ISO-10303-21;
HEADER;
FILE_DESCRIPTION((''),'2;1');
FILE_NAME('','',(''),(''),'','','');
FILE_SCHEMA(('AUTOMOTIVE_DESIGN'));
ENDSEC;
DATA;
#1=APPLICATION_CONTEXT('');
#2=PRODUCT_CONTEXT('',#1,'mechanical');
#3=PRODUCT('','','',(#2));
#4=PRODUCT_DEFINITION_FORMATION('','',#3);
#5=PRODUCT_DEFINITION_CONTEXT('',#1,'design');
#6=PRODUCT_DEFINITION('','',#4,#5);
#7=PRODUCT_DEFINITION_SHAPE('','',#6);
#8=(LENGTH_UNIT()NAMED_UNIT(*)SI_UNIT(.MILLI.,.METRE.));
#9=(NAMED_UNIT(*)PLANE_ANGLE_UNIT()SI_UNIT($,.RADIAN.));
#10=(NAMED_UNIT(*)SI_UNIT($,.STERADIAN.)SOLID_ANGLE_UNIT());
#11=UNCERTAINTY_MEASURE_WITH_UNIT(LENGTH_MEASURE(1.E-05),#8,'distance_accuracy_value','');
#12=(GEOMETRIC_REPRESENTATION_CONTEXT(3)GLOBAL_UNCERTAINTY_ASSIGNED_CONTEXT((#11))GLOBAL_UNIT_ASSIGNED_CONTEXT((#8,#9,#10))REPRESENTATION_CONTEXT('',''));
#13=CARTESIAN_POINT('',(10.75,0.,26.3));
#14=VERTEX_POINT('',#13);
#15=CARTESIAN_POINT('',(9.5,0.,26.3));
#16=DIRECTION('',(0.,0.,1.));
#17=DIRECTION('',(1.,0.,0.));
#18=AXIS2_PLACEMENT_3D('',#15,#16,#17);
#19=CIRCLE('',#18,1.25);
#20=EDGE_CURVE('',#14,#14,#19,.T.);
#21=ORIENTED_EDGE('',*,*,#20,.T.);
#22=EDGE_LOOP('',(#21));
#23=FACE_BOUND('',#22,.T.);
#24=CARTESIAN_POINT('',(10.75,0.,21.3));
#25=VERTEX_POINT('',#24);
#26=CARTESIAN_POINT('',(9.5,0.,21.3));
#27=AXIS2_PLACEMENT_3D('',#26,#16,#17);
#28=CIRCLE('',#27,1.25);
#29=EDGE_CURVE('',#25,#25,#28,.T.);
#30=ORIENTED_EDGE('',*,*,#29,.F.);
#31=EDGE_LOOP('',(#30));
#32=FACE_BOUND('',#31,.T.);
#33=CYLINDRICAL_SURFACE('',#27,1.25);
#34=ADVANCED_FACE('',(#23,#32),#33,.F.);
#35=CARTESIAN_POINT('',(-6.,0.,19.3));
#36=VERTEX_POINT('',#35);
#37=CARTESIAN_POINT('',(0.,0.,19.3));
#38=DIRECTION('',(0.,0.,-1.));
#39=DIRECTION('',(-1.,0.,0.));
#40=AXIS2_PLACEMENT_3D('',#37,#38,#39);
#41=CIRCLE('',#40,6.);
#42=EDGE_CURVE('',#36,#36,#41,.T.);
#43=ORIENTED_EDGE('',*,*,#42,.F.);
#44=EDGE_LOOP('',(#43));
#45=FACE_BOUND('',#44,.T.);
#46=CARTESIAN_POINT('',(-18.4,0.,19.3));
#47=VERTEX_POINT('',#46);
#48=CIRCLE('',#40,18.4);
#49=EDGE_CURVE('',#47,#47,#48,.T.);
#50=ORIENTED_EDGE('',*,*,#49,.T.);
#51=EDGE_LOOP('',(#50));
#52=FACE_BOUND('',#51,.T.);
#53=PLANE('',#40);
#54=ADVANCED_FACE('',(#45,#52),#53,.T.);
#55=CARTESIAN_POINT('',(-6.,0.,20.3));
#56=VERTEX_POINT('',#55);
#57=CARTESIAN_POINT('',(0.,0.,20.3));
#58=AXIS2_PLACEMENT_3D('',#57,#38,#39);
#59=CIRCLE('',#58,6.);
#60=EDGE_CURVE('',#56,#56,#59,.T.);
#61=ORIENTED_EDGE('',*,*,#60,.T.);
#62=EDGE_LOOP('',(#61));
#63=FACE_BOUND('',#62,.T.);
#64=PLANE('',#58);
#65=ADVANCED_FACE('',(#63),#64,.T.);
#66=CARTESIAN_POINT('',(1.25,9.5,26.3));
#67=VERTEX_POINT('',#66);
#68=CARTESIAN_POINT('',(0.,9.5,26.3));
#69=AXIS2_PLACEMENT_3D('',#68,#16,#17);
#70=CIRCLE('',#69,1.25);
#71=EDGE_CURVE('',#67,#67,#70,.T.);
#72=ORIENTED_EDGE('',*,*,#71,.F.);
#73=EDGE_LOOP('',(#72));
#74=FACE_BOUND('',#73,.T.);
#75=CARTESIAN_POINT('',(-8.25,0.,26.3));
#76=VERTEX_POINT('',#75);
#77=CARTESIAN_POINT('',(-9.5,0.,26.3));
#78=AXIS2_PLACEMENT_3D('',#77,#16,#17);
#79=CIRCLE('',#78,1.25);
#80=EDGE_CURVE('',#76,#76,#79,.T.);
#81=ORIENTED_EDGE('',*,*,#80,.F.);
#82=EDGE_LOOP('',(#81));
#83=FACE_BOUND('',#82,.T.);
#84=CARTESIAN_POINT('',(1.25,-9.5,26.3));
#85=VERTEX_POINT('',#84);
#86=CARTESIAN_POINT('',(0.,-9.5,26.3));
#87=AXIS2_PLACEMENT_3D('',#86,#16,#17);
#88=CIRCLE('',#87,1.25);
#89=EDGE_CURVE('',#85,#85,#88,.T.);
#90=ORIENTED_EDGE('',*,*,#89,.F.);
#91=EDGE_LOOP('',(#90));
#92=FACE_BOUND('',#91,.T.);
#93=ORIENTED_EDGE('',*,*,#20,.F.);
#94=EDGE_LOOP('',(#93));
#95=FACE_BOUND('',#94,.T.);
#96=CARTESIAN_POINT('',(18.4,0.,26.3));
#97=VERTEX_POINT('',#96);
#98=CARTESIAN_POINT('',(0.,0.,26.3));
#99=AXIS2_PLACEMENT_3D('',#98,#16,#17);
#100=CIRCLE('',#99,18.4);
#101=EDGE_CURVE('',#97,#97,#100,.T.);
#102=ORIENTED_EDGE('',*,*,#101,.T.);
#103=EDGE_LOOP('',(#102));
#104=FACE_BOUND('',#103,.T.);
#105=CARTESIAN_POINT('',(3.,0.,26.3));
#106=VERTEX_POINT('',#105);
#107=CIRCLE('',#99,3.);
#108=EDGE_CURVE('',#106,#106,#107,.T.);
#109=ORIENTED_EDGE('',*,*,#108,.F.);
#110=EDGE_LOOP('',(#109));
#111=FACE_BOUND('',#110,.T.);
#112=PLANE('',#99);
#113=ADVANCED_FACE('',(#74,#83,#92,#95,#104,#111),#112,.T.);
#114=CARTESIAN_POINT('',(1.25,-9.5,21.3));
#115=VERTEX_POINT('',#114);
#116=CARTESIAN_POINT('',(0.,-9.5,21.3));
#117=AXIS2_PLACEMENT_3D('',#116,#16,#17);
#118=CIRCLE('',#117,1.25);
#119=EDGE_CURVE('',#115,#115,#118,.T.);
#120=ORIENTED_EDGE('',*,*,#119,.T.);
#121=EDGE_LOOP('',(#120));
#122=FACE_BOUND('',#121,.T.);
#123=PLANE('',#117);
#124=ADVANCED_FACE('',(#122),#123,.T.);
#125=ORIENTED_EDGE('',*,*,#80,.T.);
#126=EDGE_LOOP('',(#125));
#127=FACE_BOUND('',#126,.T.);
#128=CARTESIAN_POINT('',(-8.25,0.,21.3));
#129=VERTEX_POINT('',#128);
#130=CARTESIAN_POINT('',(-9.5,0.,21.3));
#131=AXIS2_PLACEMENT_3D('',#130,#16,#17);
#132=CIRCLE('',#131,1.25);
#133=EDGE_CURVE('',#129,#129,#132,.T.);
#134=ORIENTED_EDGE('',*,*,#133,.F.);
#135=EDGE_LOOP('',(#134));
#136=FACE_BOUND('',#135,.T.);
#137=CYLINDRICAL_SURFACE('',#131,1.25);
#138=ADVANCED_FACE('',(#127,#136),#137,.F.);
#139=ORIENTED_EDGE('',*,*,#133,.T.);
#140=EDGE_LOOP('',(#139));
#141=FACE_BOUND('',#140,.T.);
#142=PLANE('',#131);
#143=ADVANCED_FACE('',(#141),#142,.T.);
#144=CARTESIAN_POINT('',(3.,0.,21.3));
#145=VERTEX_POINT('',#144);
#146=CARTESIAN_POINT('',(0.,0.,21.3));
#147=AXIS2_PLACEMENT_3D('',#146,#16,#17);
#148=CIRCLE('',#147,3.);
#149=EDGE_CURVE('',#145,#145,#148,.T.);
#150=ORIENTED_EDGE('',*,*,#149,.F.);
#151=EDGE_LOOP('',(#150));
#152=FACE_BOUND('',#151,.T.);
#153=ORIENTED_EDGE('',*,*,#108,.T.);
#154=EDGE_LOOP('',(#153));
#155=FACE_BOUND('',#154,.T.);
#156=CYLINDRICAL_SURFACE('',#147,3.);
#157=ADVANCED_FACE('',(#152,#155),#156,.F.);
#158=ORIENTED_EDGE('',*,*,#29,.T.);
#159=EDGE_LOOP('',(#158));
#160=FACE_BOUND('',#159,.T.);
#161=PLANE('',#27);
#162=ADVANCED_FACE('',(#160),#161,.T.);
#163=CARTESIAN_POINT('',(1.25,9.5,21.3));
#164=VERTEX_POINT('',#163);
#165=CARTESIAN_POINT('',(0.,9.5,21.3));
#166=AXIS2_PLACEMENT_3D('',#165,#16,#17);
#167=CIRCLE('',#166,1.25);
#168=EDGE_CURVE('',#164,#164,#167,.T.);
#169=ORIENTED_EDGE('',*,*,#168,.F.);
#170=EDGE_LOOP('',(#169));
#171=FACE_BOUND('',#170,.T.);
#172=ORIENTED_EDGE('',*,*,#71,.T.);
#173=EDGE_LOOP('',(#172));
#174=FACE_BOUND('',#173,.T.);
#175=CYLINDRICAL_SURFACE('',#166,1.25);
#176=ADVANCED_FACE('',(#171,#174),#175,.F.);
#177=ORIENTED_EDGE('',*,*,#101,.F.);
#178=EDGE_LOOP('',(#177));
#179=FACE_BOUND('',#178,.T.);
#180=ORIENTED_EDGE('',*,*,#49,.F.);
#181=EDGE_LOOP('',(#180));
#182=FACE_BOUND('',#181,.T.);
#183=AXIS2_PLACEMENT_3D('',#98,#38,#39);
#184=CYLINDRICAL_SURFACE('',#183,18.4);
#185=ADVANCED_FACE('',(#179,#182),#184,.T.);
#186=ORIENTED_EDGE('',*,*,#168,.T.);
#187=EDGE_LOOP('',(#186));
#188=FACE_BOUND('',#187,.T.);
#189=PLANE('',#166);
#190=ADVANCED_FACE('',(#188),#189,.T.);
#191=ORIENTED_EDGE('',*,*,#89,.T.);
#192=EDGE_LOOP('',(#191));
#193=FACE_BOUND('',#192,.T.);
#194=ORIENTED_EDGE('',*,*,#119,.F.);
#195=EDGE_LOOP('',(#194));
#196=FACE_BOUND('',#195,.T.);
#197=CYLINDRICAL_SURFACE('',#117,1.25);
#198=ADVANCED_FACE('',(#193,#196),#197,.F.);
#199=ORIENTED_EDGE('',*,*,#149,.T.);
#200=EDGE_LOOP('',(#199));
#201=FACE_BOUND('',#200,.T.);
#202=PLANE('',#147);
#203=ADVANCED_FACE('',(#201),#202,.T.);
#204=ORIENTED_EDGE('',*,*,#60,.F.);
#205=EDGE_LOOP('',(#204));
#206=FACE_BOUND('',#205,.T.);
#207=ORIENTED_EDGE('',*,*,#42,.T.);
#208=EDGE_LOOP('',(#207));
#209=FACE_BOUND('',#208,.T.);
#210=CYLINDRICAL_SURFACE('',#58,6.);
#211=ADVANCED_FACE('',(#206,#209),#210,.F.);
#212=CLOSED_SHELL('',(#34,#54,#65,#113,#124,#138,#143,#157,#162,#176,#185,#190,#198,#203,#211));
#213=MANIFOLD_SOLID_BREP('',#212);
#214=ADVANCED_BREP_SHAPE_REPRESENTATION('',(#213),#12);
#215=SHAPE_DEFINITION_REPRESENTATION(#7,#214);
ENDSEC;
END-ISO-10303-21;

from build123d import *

# Parameters (mm, degrees)
CROQUIS1_R              = 18.4
SALIENTE_EXTRUIR1_DEPTH = 26.3
CROQUIS2_R              = 3
CROQUIS2_R_2            = 1.25
CORTAR_EXTRUIR1_DEPTH   = 5
CROQUIS3_R              = 1.25
CORTAR_EXTRUIR2_DEPTH   = 5
CROQUIS7_R              = 18.4
CORTAR_EXTRUIR5_DEPTH   = 19.3
CROQUIS8_R              = 6
CORTAR_EXTRUIR6_DEPTH   = 1


with BuildPart() as part:
    # Croquis1 → Saliente-Extruir1 (new body)
    with BuildSketch(Plane.XY):
        Circle(CROQUIS1_R)
    extrude(amount=SALIENTE_EXTRUIR1_DEPTH)

    # Croquis2 → Cortar-Extruir1 (cut)
    with BuildSketch(Plane.XY.offset(26.3)):
        Circle(CROQUIS2_R)
        with Locations((0, 9.5)):
            Circle(CROQUIS2_R_2)
        with Locations((9.5, 0)):
            Circle(CROQUIS2_R_2)
        with Locations((0, -9.5)):
            Circle(CROQUIS2_R_2)
        with Locations((-9.5, 0)):
            Circle(CROQUIS2_R_2)
    extrude(amount=-CORTAR_EXTRUIR1_DEPTH, mode=Mode.SUBTRACT)

    # Croquis3 → Cortar-Extruir2 (cut)
    with BuildSketch(Plane(origin=(0, 0, 0), x_dir=(-1, 0, 0), z_dir=(0, 0, -1))):
        with Locations((-10, 0)):
            Circle(CROQUIS3_R)
        with Locations((0, 10)):
            Circle(CROQUIS3_R)
        with Locations((10, 0)):
            Circle(CROQUIS3_R)
        with Locations((0, -10)):
            Circle(CROQUIS3_R)
    extrude(amount=-CORTAR_EXTRUIR2_DEPTH, mode=Mode.SUBTRACT)

    # Croquis7 → Cortar-Extruir5 (cut)
    with BuildSketch(Plane(origin=(0, 0, 0), x_dir=(-1, 0, 0), z_dir=(0, 0, -1))):
        Circle(CROQUIS7_R)
    extrude(amount=-CORTAR_EXTRUIR5_DEPTH, mode=Mode.SUBTRACT)

    # Croquis8 → Cortar-Extruir6 (cut)
    with BuildSketch(Plane(origin=(0, 0, 19.3), x_dir=(-1, 0, 0), z_dir=(0, 0, -1))):
        Circle(CROQUIS8_R)
    extrude(amount=-CORTAR_EXTRUIR6_DEPTH, mode=Mode.SUBTRACT)


solid = part.part
